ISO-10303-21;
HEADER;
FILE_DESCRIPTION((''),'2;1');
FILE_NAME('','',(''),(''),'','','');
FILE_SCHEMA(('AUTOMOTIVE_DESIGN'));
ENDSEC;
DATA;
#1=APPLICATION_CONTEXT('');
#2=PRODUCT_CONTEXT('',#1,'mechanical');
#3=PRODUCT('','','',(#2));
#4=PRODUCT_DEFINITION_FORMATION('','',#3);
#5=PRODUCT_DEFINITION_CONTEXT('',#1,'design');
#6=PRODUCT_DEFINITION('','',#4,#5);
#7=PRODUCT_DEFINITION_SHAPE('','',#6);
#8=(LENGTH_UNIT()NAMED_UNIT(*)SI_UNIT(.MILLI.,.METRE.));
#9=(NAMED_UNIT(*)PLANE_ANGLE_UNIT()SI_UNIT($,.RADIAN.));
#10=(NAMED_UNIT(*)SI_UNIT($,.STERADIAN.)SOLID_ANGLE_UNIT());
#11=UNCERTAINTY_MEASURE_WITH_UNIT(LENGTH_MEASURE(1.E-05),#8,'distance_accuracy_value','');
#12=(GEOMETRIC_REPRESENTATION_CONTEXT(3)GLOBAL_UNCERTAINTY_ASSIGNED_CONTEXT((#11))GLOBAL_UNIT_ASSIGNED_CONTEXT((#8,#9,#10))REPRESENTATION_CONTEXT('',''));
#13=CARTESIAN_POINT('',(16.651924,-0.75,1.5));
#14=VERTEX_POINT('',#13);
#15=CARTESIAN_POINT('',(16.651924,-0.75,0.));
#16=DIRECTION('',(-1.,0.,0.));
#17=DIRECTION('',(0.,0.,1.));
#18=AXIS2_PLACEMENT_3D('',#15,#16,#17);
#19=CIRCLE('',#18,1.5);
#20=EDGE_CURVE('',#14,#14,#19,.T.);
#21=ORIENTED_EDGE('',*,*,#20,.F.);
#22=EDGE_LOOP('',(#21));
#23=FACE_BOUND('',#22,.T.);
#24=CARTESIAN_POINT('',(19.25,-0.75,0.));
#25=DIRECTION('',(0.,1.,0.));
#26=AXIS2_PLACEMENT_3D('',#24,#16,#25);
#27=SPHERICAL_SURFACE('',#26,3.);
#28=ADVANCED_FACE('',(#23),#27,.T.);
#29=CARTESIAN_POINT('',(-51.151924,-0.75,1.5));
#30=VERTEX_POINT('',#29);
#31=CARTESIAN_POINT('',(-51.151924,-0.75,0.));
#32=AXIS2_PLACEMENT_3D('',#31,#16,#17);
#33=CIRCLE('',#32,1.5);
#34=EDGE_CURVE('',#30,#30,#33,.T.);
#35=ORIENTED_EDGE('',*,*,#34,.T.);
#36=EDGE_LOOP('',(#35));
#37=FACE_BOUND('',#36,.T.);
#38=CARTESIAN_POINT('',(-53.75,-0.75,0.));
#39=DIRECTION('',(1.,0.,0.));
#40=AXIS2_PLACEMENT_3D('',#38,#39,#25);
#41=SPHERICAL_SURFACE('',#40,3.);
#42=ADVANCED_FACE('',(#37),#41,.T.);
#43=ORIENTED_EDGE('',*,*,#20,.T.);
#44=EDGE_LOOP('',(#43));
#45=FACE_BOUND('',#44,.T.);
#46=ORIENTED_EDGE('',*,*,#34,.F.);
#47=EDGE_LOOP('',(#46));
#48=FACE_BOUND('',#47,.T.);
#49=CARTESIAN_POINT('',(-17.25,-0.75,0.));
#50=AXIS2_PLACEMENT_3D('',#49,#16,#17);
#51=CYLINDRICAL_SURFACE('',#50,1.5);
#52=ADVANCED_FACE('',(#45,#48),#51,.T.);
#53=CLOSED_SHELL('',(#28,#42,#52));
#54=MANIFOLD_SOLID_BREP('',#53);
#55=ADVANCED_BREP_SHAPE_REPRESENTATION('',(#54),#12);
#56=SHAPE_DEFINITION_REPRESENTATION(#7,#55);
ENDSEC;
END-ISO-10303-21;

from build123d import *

# Parameters (mm, degrees)
SKETCH1_W = 34.5
SKETCH1_H = 1.5


with BuildPart() as part:
    # Sketch1 → Revolve1 (revolve)
    with BuildSketch(Plane.XY):
        Rectangle(SKETCH1_W, SKETCH1_H)
        with BuildLine():
            ThreePointArc((22.25, -0.75), (20.026457135, 2.147777479), (16.651923789, 0.75))
            Line((16.651923789, 0.75), (17.25, 0.75))
            Line((17.25, 0.75), (17.25, -0.75))
            Line((17.25, -0.75), (22.25, -0.75))
        make_face()
    revolve1 = revolve(axis=Axis((-17.25, -0.75, 0), (1, 0, 0)))

    # Mirror1: Revolve1 across plane
    add(revolve1.mirror(Plane(origin=(-17.25, 0, 0), x_dir=(0, 0, 1), z_dir=(1, 0, 0))))


solid = part.part
